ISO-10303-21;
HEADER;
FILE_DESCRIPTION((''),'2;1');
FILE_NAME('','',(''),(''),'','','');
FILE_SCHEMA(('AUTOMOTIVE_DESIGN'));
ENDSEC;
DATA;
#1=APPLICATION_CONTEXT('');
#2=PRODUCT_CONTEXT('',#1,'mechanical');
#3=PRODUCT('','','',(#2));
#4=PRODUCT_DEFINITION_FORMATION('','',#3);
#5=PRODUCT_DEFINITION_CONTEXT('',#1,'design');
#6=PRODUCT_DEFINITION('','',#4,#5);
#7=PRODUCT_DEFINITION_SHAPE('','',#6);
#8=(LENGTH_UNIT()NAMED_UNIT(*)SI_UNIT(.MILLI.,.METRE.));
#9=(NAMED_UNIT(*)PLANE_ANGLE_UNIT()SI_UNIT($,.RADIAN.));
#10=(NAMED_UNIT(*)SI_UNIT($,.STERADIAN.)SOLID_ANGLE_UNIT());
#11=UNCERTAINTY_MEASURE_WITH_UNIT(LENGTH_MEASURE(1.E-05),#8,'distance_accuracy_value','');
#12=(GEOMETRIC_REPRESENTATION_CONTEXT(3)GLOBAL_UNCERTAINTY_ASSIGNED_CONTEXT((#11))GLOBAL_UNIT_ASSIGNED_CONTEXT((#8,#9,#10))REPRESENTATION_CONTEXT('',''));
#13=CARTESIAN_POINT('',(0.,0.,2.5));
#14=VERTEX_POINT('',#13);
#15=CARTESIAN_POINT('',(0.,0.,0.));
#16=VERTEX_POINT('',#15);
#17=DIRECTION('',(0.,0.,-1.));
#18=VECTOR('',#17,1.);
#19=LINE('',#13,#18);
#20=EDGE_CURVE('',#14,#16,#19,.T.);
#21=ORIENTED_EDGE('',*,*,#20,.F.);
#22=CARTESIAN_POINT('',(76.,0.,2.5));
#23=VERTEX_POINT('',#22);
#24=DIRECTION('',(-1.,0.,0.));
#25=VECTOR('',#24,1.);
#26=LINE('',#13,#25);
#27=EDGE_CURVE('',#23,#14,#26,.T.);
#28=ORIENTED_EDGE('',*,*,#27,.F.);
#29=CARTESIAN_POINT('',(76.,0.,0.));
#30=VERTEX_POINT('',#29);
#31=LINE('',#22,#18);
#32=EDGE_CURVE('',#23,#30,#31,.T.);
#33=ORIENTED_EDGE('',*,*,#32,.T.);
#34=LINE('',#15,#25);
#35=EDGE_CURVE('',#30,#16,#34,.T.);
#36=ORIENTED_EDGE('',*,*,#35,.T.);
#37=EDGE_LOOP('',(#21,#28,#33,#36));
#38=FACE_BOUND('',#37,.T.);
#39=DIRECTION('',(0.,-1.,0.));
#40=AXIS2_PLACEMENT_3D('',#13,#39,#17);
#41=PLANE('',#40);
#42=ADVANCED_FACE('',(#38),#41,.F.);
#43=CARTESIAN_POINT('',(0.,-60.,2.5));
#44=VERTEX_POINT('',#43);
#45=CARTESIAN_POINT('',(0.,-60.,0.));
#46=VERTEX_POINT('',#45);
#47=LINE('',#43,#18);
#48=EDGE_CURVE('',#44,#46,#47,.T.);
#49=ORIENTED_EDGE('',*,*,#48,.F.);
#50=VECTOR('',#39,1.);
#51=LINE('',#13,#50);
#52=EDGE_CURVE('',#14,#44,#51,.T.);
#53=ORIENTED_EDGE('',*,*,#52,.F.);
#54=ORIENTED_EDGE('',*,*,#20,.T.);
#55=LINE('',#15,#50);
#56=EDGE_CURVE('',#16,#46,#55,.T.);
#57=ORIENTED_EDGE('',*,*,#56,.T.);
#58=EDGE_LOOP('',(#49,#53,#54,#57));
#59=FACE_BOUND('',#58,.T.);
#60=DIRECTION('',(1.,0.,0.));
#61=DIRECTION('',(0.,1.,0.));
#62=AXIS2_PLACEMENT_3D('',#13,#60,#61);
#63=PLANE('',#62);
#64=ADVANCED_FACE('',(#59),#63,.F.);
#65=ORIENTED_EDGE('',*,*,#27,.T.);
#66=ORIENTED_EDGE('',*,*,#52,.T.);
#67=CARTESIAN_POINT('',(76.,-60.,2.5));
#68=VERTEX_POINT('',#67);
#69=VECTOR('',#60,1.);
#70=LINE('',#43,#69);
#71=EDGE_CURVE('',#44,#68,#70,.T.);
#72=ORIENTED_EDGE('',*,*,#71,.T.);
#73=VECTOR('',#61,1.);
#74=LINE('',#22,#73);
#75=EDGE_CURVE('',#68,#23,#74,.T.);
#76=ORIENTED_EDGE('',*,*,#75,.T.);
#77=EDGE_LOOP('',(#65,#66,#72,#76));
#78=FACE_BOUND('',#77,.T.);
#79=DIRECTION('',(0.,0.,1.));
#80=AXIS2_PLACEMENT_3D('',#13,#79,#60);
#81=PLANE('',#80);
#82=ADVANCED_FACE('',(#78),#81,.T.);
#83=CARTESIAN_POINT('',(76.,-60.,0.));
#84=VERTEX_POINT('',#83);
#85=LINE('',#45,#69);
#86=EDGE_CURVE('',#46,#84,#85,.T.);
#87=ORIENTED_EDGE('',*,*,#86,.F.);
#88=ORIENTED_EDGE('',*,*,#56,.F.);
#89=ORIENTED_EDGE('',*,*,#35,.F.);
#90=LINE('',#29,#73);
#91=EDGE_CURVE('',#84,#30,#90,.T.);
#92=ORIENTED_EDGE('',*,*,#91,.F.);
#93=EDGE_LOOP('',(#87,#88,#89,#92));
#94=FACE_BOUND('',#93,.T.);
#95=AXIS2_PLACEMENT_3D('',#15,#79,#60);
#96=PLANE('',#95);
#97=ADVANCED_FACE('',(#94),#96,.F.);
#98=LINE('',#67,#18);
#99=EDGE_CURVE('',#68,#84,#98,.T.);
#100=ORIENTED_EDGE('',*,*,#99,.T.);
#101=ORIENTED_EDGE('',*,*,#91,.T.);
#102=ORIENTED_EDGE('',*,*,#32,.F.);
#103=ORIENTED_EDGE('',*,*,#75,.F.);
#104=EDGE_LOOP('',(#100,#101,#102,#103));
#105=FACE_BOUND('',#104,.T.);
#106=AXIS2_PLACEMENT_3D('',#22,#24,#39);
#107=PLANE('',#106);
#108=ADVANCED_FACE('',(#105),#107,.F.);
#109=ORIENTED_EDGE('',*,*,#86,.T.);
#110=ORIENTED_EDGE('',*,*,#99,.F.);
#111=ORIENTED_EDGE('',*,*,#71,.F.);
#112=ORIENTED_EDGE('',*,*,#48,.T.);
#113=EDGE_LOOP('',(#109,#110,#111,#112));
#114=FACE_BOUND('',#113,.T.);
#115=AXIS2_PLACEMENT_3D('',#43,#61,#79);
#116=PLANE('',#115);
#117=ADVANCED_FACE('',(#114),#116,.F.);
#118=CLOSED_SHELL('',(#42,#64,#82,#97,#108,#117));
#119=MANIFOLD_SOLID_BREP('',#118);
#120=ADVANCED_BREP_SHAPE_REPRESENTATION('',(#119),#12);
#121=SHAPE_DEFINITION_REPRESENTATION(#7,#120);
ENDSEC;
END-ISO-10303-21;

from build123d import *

# Parameters (mm, degrees)
SKETCH_1_W      = 76
SKETCH_1_H      = 60
EXTRUDE_1_DEPTH = 2.5


with BuildPart() as part:
    # 草图1 → 凸台-拉伸1 (new body)
    with BuildSketch(Plane.XY):
        with Locations((38, -30)):
            Rectangle(SKETCH_1_W, SKETCH_1_H)
    extrude(amount=EXTRUDE_1_DEPTH)


solid = part.part
